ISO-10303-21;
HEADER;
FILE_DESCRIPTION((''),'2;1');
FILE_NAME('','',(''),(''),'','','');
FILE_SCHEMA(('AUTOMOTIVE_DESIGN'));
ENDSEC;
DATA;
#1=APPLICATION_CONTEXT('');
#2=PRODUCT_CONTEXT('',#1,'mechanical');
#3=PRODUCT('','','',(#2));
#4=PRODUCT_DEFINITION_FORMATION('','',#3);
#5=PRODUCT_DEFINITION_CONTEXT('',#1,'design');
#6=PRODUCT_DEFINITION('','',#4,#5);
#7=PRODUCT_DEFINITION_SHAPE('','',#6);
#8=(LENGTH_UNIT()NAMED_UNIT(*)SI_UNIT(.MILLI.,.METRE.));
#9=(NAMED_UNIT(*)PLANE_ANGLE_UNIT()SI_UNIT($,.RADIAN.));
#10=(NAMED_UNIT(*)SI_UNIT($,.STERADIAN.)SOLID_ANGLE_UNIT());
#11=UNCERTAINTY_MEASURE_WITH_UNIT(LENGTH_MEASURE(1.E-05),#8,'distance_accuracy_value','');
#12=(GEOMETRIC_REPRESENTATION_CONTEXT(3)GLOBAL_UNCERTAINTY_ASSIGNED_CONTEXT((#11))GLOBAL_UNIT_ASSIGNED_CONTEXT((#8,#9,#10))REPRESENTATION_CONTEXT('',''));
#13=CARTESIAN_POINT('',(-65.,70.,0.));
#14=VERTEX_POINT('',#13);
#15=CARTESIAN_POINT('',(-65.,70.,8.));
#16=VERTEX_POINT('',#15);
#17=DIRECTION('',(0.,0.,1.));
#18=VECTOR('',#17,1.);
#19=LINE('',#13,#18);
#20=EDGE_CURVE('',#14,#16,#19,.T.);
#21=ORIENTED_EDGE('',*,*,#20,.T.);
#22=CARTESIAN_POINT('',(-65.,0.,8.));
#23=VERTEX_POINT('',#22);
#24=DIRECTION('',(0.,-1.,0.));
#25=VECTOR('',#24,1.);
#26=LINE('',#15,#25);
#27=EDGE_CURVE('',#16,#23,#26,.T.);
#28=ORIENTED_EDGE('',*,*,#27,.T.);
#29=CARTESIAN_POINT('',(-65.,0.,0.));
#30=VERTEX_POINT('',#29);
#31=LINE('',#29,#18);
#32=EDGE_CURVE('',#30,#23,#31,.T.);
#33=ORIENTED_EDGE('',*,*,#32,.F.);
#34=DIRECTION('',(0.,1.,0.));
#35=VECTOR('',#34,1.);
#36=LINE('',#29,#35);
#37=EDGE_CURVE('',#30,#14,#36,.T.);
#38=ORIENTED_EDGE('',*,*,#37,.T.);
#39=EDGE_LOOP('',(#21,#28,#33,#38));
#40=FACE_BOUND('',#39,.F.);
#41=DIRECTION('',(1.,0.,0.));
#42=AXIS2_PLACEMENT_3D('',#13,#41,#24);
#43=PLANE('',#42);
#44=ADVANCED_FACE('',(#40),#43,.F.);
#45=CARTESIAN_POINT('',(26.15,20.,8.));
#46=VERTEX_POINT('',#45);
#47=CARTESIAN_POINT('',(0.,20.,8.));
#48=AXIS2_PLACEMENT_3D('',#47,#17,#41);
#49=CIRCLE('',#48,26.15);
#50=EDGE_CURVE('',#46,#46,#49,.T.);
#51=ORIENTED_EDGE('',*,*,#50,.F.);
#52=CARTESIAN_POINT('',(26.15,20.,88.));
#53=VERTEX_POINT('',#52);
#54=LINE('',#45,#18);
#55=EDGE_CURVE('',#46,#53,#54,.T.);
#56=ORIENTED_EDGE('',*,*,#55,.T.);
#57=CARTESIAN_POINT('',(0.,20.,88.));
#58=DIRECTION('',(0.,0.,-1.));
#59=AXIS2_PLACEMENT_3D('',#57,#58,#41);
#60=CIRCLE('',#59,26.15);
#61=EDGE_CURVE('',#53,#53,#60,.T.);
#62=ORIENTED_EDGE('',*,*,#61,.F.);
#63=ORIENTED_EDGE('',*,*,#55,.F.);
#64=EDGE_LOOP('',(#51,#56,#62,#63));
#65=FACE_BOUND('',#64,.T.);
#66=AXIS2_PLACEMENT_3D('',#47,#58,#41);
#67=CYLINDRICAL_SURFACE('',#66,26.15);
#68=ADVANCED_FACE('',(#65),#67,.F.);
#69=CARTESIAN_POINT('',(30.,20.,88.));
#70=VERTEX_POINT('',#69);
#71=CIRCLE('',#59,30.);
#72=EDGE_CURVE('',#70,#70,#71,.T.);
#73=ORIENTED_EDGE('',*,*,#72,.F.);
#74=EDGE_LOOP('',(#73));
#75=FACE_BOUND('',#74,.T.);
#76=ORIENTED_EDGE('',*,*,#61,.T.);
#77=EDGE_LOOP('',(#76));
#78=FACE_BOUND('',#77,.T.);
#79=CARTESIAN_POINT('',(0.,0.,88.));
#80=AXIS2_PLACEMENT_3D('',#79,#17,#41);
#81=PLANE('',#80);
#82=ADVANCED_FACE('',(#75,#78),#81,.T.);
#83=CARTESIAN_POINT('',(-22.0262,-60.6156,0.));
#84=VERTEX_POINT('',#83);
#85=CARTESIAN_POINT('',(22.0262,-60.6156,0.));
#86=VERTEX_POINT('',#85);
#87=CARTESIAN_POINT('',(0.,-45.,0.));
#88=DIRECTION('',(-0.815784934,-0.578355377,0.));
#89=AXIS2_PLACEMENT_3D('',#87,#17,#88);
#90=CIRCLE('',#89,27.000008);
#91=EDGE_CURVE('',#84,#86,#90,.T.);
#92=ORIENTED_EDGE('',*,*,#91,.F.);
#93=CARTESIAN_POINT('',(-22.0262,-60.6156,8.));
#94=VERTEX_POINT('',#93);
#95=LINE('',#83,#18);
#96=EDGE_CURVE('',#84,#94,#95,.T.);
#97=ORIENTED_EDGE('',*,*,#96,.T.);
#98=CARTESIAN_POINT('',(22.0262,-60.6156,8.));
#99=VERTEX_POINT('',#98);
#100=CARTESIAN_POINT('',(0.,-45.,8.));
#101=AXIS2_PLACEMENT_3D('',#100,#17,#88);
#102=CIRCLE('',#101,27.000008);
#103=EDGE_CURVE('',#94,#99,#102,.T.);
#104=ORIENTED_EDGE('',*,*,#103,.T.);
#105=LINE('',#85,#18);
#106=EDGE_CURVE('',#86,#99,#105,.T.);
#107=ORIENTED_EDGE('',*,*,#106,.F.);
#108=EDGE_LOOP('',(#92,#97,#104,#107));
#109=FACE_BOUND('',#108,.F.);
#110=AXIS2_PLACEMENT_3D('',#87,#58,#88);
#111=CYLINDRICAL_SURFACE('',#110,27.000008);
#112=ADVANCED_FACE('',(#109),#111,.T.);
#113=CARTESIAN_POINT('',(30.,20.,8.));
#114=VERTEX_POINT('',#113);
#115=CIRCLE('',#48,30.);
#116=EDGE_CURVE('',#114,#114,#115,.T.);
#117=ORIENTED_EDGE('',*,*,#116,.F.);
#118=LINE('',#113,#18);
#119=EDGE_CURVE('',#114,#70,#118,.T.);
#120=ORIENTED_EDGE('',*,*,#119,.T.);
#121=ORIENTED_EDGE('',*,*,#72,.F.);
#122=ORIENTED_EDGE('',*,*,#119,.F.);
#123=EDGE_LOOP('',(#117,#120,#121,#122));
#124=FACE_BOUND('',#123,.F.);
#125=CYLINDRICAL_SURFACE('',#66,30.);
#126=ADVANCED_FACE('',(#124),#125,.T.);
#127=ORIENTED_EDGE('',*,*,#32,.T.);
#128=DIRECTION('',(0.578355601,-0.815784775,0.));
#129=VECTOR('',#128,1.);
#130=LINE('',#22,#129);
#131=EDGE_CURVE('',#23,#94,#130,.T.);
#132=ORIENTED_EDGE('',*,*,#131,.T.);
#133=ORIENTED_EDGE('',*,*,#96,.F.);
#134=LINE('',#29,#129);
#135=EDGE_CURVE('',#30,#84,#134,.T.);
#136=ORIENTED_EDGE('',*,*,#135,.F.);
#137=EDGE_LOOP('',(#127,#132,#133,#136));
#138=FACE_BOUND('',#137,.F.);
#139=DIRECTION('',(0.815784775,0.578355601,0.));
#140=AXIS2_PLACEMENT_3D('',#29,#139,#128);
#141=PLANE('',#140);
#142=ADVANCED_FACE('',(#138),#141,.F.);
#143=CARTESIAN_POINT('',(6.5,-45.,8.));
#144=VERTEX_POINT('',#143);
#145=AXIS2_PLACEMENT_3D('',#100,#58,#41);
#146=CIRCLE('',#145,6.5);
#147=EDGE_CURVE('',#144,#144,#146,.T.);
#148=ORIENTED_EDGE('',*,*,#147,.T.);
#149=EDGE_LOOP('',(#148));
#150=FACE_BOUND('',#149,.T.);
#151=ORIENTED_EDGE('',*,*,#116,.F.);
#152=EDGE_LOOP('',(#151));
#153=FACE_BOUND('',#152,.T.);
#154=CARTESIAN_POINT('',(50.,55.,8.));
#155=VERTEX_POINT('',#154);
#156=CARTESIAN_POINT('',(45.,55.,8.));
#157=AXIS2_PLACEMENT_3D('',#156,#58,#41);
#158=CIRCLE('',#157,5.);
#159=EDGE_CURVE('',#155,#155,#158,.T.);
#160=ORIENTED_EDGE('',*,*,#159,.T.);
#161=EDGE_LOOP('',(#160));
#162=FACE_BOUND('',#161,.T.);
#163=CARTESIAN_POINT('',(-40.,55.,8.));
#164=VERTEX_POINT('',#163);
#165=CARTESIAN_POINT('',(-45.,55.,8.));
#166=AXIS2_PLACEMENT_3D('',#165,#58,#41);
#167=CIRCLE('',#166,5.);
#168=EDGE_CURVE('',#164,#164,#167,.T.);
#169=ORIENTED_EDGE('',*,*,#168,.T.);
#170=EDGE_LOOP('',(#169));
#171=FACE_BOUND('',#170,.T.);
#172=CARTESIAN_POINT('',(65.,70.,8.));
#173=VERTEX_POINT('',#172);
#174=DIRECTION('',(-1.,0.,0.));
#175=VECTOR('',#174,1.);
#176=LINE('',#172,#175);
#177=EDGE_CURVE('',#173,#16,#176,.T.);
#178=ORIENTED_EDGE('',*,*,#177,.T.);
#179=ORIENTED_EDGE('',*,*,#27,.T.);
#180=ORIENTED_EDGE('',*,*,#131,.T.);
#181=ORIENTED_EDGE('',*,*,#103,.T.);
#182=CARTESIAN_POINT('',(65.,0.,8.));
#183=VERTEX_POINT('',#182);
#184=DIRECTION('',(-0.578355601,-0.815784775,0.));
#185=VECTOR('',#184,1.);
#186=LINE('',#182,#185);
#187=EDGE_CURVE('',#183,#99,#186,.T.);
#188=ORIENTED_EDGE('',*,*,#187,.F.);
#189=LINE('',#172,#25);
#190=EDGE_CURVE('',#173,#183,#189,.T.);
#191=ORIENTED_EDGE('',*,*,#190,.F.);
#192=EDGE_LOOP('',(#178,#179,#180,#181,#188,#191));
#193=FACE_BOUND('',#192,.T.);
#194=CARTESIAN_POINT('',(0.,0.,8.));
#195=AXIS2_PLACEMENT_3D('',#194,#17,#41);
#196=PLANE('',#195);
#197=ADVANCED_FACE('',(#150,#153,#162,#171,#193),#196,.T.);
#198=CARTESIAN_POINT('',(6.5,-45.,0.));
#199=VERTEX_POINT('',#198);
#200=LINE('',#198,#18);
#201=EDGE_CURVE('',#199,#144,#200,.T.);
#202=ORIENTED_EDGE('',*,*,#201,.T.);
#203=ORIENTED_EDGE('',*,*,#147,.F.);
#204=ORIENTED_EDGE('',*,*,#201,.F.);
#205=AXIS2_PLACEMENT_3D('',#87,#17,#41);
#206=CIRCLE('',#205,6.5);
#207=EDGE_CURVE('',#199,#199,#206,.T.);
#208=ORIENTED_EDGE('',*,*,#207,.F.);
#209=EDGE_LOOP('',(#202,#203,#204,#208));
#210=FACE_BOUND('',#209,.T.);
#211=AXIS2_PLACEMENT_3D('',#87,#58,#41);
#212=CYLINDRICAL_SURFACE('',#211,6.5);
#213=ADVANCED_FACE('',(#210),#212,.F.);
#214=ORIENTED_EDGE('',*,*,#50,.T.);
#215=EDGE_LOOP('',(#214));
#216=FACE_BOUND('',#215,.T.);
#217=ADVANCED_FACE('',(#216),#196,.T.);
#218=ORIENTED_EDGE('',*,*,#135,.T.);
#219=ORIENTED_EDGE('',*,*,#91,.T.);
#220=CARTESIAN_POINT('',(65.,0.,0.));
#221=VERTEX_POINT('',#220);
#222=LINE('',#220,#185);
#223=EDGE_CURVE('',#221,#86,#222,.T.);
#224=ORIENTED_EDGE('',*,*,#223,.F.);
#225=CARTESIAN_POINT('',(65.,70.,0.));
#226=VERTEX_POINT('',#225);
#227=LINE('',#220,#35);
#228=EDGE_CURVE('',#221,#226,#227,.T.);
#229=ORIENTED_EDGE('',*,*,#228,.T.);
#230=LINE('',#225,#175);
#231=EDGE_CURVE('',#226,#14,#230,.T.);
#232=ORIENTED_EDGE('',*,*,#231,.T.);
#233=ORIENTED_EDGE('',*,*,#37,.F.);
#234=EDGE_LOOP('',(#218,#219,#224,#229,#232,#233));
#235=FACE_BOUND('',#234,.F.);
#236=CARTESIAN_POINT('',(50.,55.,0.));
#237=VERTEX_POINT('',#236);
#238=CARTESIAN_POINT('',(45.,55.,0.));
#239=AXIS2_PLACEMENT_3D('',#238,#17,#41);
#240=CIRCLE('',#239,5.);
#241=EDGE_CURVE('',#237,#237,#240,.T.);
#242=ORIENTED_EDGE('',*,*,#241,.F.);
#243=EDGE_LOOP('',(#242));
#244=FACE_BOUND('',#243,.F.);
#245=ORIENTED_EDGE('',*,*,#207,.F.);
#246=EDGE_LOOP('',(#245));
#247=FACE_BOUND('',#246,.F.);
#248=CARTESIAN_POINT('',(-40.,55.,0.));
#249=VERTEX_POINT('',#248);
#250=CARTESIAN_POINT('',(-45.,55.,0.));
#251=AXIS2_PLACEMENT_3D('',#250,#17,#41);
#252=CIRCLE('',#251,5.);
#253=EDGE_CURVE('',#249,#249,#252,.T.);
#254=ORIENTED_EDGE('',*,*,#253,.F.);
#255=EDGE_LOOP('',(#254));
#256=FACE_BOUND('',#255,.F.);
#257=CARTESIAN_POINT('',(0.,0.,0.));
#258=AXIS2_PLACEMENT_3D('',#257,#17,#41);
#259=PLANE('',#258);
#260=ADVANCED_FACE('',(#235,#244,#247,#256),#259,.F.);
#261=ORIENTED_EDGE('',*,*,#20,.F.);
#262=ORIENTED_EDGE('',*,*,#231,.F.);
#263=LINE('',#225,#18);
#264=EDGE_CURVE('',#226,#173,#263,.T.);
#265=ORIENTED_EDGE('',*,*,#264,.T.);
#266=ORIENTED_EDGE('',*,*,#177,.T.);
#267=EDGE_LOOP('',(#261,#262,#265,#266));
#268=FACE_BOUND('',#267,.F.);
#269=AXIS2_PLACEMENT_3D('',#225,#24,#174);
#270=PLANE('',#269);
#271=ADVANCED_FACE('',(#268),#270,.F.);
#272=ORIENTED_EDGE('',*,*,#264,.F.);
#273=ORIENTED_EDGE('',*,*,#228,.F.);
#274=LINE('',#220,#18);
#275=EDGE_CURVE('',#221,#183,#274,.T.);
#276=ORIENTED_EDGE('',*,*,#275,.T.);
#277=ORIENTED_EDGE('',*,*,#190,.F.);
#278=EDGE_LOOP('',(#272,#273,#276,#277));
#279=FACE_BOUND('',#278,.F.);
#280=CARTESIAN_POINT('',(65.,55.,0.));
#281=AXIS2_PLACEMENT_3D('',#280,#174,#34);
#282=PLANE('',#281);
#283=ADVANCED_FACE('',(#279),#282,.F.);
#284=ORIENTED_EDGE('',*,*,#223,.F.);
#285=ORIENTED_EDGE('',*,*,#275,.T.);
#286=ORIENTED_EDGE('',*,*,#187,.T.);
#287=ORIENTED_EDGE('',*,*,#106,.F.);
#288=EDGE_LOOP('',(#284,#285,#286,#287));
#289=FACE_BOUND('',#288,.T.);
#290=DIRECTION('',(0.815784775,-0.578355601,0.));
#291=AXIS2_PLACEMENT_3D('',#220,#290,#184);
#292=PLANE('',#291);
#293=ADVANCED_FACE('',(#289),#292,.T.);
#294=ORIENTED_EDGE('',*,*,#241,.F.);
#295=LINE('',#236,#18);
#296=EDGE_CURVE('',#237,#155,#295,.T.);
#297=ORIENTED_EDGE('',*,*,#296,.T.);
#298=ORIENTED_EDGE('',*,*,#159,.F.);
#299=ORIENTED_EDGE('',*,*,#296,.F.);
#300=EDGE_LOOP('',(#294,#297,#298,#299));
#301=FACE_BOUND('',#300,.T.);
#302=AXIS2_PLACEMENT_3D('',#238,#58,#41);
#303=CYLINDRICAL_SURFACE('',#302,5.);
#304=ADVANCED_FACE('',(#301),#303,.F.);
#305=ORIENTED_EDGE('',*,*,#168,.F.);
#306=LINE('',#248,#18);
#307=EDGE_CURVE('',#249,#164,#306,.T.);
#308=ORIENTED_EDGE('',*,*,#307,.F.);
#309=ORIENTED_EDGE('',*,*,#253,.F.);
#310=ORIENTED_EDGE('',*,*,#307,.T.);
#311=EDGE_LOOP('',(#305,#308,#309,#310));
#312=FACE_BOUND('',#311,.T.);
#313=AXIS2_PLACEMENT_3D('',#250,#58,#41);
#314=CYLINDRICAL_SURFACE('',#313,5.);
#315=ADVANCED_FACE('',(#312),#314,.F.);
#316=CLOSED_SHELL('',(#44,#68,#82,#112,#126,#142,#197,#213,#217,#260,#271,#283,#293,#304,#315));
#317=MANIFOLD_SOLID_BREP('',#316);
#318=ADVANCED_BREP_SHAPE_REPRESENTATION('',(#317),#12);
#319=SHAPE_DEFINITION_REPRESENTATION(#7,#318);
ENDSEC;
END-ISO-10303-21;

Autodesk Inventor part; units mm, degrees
ref_plane "YZ Plane" through (0, 0, 0) normal (1, 0, 0) x (0, 1, 0)
ref_plane "XZ Plane" through (0, 0, 0) normal (0, 1, 0) x (-1, 0, 0)
ref_plane "XY Plane" through (0, 0, 0) normal (0, 0, 1) x (1, 0, 0)
sketch "Boceto1" plane through (0, 0, 0) normal (0, 0, 1) x (1, 0, 0)
  line L0 (0, 0) -> (0, 40)
  line L1 (65, 70) -> (-65, 70)
  line L2 (-65, 70) -> (-65, 10)
  line L3 (-65, 10) -> (65, 10)
  line L4 (65, 10) -> (65, 70)
  line L5 (65, 70) -> (-65, 10) construction
  line L6 (-65, 70) -> (65, 10) construction
  line L7 (65, 70) -> (-65, 70)
  line L8 (-65, 70) -> (-65, 0)
  line L9 (65, 0) -> (65, 70)
  line L10 (65, 70) -> (65, 40)
  line L11 (65, 55) -> (-65, 55)
  line L12 (65, 55) -> (45, 55)
  circle A0 centre (45, 55) radius 5
  line L13 (-65, 55) -> (-62.9791, 55)
  line L14 (-65, 55) -> (-45, 55)
  circle A1 centre (-45, 55) radius 5
  line L15 (6.5, -45) -> (-6.5, -45)
  circle A2 centre (0, -45) radius 6.5
  arc A3 (-22.0262, -60.6156) -> (22.0262, -60.6156) centre (0, -45) ccw
  line L16 (65, 0) -> (22.0262, -60.6156)
  line L17 (-65, 0) -> (-22.0262, -60.6156)
  dimension "d0" = 130
  dimension "d1" = 60
  dimension "d2" = 20
  dimension "d3" = 10
  dimension "d4" = 20
  dimension "d5" = 10
  dimension "d6" = 13
extrude "Extrusión1" add sketch "Boceto1" along normal blind 8 contours L4 L11 A0 A1 L2 L1 | L4 L3 L2 L11 A1 A0 | L3 L9 L16 A3 L17 L8
sketch "Boceto2" plane through (0, 0, 8) normal (0, 0, 1) x (1, 0, 0)
  line L0 (65, 70) -> (-65, 70) projected
  line L1 (-65, 70) -> (-65, 40)
  line L2 (-65, 70) -> (-65, 0) projected
  line L3 (65, 0) -> (65, 70) projected
  line L4 (-65, 70) -> (-65, 50)
  line L5 (-65, 50) -> (65, 50)
  line L6 (-65, 50) -> (-65, -30)
  line L7 (-65, -30) -> (65, -30)
  line L8 (0, 50) -> (0, -30)
  line L9 (0, 10) -> (0, 20)
  circle A0 centre (0, 20) radius 30
  circle A1 centre (0, 20) radius 26.15
  point P0 (0, 0)
  dimension "d13" = 30
  dimension "d15" = 20
  dimension "d16" = 80
  dimension "d23" = 10
  dimension "d24" = 52.3
extrude "Extrusión4" add sketch "Boceto2" along normal blind 80 contours A0 L8 A1 | L8 A1 A0
properties part number "encaje"
